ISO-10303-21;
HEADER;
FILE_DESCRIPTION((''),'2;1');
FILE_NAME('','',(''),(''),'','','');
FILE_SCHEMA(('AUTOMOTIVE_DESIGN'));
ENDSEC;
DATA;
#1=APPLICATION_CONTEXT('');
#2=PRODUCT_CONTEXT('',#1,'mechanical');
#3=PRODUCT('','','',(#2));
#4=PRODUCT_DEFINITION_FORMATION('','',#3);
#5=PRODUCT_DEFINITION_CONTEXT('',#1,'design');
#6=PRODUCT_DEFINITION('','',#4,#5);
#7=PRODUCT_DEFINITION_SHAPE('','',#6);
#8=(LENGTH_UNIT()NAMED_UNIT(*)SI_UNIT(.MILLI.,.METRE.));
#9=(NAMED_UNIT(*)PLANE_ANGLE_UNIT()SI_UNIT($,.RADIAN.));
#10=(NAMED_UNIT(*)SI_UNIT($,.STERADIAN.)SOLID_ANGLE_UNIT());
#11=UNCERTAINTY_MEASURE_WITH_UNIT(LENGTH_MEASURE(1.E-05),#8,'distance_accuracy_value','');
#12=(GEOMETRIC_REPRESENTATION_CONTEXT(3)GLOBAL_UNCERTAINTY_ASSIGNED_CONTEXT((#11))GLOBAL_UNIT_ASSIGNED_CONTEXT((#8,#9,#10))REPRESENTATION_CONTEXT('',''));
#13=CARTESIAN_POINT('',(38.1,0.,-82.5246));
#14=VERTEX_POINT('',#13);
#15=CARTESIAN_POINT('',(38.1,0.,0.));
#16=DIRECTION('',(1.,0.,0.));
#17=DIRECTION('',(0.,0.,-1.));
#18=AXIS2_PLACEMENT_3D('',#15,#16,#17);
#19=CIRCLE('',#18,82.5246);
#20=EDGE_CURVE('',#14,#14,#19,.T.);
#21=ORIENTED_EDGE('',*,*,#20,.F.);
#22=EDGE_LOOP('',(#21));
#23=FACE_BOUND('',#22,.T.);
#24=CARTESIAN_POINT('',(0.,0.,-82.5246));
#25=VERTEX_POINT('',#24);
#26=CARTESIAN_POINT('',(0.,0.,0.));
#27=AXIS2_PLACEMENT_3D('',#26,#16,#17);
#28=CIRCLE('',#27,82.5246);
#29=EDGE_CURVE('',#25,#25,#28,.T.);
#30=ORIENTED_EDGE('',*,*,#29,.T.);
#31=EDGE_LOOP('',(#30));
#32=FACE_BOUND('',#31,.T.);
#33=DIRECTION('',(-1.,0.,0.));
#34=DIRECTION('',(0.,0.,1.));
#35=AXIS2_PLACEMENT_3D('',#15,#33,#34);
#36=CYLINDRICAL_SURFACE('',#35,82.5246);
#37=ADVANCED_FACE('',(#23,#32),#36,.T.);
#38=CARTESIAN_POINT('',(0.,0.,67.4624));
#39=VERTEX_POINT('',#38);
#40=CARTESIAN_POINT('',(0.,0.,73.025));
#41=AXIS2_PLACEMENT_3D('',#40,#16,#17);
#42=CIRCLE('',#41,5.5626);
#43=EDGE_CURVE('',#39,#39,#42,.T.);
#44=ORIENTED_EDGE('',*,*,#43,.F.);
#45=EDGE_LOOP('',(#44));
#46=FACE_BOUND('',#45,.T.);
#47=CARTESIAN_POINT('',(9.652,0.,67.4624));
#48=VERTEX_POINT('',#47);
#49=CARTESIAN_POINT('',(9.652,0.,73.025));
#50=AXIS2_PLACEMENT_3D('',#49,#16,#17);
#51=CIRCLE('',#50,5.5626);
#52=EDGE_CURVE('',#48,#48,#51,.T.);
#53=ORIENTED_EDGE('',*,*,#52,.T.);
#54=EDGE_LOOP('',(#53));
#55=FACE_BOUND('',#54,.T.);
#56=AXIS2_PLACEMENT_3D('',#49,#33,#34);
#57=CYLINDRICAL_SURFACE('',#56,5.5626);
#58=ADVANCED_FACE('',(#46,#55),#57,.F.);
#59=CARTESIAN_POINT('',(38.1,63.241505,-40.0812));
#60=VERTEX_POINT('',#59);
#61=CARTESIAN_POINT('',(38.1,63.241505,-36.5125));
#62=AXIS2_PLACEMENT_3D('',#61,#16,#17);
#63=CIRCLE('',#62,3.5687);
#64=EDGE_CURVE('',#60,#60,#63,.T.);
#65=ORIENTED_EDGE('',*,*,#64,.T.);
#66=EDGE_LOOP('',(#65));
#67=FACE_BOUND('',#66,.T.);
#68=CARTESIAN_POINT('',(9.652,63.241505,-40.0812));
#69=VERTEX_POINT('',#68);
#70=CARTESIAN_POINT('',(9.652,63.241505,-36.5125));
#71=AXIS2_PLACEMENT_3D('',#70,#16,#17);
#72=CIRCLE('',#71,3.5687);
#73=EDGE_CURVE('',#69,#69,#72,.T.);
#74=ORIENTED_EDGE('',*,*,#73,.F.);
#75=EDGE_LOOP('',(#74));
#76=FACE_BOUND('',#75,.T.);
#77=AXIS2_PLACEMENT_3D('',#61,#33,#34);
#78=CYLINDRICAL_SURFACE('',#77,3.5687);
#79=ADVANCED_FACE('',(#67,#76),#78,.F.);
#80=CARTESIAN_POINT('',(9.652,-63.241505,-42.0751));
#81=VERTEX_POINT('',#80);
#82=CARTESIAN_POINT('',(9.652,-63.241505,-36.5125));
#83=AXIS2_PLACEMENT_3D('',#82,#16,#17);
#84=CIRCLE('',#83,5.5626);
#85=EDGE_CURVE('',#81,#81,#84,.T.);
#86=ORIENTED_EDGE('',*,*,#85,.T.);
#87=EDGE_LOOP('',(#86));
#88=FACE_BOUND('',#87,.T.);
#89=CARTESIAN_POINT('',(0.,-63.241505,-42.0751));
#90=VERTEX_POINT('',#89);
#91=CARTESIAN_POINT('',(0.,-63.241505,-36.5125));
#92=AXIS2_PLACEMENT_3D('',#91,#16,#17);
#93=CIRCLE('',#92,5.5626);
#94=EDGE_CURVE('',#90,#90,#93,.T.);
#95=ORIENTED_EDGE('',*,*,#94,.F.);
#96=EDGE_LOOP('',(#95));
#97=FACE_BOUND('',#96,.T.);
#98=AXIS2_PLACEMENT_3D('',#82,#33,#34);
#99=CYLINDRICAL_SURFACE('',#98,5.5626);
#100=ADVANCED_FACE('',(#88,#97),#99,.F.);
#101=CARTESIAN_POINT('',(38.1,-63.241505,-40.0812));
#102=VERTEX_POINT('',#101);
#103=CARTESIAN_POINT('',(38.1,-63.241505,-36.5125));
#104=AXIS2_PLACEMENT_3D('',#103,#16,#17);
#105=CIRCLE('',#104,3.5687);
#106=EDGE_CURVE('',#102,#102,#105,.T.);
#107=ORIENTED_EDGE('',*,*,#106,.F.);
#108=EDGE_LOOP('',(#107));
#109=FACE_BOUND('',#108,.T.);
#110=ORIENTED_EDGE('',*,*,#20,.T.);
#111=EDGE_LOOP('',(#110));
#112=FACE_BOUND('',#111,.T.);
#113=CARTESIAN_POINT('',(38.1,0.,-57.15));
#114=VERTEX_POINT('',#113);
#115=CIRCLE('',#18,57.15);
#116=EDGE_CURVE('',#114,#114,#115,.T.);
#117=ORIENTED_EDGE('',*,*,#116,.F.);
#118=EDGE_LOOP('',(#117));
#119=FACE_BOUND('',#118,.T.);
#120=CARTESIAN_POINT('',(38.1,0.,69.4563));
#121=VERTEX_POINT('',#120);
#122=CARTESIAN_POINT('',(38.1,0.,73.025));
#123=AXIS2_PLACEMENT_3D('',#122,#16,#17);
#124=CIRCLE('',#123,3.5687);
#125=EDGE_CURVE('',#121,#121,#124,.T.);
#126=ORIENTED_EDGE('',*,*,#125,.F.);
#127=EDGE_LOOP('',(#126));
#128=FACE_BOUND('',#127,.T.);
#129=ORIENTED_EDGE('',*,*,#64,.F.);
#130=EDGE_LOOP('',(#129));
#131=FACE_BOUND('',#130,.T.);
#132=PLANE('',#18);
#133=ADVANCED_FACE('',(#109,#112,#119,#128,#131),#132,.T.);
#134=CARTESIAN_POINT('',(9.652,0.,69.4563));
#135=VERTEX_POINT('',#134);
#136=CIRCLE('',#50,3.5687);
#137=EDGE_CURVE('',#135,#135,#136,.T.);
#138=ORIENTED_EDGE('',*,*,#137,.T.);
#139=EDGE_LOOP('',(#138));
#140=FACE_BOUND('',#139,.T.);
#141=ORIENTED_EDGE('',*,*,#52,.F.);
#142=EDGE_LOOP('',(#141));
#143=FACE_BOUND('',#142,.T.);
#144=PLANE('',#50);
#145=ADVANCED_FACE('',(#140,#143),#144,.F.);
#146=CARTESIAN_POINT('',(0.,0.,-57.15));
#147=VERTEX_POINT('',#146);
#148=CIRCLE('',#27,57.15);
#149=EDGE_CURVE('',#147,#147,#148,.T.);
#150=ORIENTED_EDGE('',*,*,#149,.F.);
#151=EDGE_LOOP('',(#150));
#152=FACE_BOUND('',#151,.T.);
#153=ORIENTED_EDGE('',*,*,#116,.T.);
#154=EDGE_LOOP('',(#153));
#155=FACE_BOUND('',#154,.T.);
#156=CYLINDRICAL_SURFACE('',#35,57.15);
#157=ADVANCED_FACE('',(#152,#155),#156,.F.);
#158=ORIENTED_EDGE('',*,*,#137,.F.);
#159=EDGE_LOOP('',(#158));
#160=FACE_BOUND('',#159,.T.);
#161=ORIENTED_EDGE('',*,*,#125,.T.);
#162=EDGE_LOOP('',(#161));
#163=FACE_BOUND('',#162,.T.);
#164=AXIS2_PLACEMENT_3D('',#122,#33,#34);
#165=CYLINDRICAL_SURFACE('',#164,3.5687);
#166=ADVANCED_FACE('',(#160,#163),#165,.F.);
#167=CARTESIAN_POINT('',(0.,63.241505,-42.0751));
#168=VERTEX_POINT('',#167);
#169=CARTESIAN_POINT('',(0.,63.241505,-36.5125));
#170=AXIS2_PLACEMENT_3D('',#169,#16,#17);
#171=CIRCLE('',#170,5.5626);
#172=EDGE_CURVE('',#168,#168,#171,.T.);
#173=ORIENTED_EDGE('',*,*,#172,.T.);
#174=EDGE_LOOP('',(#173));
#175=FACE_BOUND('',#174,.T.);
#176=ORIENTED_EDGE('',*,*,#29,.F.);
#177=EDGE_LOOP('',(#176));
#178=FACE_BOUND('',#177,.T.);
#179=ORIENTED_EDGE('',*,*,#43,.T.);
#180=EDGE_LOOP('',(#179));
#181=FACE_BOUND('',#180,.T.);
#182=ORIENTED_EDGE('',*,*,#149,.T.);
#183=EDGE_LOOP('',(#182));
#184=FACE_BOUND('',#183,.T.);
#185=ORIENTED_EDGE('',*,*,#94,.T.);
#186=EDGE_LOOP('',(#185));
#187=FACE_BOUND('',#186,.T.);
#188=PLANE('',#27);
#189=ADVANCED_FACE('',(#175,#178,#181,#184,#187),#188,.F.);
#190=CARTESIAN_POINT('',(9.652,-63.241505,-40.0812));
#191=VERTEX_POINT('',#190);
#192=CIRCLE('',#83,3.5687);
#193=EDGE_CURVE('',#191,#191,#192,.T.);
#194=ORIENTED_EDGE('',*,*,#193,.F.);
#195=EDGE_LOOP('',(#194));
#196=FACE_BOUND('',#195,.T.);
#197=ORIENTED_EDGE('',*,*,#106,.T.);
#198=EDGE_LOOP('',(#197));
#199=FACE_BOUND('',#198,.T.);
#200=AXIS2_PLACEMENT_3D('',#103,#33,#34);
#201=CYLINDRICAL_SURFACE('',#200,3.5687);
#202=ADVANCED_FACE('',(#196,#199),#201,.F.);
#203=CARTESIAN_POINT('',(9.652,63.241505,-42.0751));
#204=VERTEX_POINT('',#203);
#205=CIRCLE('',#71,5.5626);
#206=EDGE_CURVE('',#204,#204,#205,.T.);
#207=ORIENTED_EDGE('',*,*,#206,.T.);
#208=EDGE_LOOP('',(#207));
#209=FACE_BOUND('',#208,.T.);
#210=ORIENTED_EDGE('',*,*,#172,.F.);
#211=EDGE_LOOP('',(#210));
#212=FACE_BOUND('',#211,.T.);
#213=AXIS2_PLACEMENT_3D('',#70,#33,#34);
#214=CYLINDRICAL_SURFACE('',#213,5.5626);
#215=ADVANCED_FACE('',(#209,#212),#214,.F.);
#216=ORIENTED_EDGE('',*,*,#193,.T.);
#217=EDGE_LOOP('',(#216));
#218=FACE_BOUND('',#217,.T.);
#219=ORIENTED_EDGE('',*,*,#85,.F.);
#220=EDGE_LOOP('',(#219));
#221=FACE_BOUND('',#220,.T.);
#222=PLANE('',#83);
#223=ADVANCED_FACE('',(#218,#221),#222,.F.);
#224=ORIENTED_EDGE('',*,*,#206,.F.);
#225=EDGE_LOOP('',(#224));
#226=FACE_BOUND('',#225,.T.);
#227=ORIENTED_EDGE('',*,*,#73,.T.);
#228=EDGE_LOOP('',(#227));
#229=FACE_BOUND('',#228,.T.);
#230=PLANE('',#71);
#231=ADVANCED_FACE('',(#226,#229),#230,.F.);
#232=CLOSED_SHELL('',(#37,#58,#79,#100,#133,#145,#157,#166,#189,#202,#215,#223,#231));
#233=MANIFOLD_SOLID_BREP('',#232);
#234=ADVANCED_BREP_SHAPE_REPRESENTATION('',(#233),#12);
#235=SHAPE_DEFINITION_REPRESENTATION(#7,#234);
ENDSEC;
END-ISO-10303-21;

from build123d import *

# Parameters (mm, degrees)
SKETCH1_R           = 82.5246
BOSS_EXTRUDE1_DEPTH = 38.1
SKETCH2_R           = 57.15
CUT_EXTRUDE1_DEPTH  = 38.1
SKETCH3_R           = 3.5687
CUT_EXTRUDE3_DEPTH  = 123.769007532
SKETCH4_R           = 5.5626
CUT_EXTRUDE4_DEPTH  = 9.652


with BuildPart() as part:
    # Sketch1 → Boss-Extrude1 (new body)
    with BuildSketch(Plane.YZ):
        with Locations(Location((0, 0, 0), (0, 0, 270))):
            Circle(SKETCH1_R)
    extrude(amount=BOSS_EXTRUDE1_DEPTH)

    # Sketch2 → Cut-Extrude1 (cut)
    with BuildSketch(Plane.YZ):
        with Locations(Location((0, 0, 0), (0, 0, 270))):
            Circle(SKETCH2_R)
    extrude(amount=CUT_EXTRUDE1_DEPTH, mode=Mode.SUBTRACT)

    # Sketch3 → Cut-Extrude3 (cut, through all)
    with BuildSketch(Plane.YZ):
        with Locations(Location((0, 73.025, 0), (0, 0, 270))):
            Circle(SKETCH3_R)
        with Locations(Location((-63.241505111, -36.5125, 0), (0, 0, 270))):
            Circle(SKETCH3_R)
        with Locations(Location((63.241505111, -36.5125, 0), (0, 0, 270))):
            Circle(SKETCH3_R)
    extrude(amount=CUT_EXTRUDE3_DEPTH, mode=Mode.SUBTRACT)

    # Sketch4 → Cut-Extrude4 (cut)
    with BuildSketch(Plane.YZ):
        with Locations(Location((0, 73.025, 0), (0, 0, 270))):
            Circle(SKETCH4_R)
        with Locations(Location((-63.241505111, -36.5125, 0), (0, 0, 270))):
            Circle(SKETCH4_R)
        with Locations(Location((63.241505111, -36.5125, 0), (0, 0, 270))):
            Circle(SKETCH4_R)
    extrude(amount=CUT_EXTRUDE4_DEPTH, mode=Mode.SUBTRACT)


solid = part.part
